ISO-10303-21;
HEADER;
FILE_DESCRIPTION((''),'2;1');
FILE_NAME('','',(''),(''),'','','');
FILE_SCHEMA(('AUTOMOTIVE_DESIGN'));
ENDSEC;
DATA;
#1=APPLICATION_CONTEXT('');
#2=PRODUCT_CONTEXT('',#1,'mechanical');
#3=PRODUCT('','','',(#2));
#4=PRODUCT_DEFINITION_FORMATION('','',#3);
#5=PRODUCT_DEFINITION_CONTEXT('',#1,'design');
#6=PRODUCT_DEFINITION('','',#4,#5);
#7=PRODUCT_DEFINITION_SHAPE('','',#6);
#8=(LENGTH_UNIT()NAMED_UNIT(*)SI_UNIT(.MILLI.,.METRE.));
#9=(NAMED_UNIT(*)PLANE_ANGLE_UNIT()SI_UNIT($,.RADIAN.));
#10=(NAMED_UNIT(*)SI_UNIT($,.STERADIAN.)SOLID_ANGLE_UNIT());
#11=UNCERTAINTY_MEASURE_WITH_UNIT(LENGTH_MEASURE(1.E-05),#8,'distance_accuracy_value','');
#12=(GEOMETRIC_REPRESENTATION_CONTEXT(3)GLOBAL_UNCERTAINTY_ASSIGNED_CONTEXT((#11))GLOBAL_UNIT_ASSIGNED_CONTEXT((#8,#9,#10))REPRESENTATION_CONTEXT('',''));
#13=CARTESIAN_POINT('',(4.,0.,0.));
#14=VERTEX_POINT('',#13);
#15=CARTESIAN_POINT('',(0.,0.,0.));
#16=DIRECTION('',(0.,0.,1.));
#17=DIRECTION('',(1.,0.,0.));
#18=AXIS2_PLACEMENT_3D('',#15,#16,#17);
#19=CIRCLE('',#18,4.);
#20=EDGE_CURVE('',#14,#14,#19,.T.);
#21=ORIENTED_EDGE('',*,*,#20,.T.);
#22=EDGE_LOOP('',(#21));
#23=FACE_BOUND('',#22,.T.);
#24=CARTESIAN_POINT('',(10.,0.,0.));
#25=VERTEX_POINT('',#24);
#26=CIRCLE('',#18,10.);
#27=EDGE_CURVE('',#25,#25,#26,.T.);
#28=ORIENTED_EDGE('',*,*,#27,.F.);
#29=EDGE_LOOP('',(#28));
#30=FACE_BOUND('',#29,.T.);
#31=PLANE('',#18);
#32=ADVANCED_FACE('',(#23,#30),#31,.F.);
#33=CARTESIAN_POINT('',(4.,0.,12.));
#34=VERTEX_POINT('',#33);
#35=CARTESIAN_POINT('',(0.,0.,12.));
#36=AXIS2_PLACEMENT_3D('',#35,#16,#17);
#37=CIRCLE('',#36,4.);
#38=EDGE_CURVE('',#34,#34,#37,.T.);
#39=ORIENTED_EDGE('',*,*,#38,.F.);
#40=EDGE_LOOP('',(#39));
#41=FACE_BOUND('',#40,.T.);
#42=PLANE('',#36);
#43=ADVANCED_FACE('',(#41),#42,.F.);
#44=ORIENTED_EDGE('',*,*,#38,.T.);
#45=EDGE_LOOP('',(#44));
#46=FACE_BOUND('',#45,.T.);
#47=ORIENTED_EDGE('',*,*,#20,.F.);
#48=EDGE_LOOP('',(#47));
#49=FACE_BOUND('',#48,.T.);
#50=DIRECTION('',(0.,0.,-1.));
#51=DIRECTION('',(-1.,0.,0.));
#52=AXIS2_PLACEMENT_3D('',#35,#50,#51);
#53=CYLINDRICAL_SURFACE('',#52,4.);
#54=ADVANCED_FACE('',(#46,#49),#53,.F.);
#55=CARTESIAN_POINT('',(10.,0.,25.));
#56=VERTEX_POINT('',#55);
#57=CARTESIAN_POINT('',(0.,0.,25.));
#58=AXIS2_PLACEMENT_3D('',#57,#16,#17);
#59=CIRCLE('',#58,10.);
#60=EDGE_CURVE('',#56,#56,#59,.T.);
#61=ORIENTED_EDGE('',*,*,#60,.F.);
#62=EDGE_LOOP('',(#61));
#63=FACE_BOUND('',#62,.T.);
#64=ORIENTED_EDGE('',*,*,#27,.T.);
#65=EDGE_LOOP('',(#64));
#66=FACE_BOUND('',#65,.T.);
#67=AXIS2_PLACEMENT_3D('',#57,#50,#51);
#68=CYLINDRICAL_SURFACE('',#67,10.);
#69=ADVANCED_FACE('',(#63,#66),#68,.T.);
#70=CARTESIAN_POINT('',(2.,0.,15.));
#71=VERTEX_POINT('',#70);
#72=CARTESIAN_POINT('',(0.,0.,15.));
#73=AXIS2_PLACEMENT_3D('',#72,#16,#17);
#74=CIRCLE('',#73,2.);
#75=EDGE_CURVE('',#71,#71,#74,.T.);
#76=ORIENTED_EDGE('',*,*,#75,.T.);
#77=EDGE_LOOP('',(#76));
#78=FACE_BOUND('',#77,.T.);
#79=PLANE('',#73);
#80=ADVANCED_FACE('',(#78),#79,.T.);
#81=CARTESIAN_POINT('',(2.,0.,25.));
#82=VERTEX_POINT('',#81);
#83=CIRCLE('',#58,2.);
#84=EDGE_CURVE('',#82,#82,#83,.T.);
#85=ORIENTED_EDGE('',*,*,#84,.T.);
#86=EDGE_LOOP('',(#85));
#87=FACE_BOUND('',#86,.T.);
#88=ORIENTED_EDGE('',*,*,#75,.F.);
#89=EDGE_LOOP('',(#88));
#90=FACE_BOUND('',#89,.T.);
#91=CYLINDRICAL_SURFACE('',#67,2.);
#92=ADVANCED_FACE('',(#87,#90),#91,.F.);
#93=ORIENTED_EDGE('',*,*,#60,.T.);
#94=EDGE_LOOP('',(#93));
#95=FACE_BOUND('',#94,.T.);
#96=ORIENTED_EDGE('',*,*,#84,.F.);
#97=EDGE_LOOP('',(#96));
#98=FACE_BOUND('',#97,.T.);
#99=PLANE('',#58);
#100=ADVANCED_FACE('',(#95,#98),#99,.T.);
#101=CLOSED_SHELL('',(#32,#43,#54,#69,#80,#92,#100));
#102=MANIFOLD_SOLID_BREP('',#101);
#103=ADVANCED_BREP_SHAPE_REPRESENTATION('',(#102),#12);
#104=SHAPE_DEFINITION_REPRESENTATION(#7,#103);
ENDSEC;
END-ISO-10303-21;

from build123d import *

# Parameters (mm, degrees)
SKETCH1_R       = 10
BODY_DEPTH      = 25
SKETCH2_R       = 4
BORE_LOW_DEPTH  = 12
SKETCH3_R       = 2
BORE_HIGH_DEPTH = 10


with BuildPart() as part:
    # Sketch1 → Body (new body)
    with BuildSketch(Plane.XY):
        Circle(SKETCH1_R)
    extrude(amount=BODY_DEPTH)

    # Sketch2 → Bore_low (cut)
    with BuildSketch(Plane.XY):
        Circle(SKETCH2_R)
    extrude(amount=BORE_LOW_DEPTH, mode=Mode.SUBTRACT)

    # Sketch3 → Bore_high (cut)
    with BuildSketch(Plane.XY.offset(15)):
        Circle(SKETCH3_R)
    extrude(amount=BORE_HIGH_DEPTH, mode=Mode.SUBTRACT)


solid = part.part
